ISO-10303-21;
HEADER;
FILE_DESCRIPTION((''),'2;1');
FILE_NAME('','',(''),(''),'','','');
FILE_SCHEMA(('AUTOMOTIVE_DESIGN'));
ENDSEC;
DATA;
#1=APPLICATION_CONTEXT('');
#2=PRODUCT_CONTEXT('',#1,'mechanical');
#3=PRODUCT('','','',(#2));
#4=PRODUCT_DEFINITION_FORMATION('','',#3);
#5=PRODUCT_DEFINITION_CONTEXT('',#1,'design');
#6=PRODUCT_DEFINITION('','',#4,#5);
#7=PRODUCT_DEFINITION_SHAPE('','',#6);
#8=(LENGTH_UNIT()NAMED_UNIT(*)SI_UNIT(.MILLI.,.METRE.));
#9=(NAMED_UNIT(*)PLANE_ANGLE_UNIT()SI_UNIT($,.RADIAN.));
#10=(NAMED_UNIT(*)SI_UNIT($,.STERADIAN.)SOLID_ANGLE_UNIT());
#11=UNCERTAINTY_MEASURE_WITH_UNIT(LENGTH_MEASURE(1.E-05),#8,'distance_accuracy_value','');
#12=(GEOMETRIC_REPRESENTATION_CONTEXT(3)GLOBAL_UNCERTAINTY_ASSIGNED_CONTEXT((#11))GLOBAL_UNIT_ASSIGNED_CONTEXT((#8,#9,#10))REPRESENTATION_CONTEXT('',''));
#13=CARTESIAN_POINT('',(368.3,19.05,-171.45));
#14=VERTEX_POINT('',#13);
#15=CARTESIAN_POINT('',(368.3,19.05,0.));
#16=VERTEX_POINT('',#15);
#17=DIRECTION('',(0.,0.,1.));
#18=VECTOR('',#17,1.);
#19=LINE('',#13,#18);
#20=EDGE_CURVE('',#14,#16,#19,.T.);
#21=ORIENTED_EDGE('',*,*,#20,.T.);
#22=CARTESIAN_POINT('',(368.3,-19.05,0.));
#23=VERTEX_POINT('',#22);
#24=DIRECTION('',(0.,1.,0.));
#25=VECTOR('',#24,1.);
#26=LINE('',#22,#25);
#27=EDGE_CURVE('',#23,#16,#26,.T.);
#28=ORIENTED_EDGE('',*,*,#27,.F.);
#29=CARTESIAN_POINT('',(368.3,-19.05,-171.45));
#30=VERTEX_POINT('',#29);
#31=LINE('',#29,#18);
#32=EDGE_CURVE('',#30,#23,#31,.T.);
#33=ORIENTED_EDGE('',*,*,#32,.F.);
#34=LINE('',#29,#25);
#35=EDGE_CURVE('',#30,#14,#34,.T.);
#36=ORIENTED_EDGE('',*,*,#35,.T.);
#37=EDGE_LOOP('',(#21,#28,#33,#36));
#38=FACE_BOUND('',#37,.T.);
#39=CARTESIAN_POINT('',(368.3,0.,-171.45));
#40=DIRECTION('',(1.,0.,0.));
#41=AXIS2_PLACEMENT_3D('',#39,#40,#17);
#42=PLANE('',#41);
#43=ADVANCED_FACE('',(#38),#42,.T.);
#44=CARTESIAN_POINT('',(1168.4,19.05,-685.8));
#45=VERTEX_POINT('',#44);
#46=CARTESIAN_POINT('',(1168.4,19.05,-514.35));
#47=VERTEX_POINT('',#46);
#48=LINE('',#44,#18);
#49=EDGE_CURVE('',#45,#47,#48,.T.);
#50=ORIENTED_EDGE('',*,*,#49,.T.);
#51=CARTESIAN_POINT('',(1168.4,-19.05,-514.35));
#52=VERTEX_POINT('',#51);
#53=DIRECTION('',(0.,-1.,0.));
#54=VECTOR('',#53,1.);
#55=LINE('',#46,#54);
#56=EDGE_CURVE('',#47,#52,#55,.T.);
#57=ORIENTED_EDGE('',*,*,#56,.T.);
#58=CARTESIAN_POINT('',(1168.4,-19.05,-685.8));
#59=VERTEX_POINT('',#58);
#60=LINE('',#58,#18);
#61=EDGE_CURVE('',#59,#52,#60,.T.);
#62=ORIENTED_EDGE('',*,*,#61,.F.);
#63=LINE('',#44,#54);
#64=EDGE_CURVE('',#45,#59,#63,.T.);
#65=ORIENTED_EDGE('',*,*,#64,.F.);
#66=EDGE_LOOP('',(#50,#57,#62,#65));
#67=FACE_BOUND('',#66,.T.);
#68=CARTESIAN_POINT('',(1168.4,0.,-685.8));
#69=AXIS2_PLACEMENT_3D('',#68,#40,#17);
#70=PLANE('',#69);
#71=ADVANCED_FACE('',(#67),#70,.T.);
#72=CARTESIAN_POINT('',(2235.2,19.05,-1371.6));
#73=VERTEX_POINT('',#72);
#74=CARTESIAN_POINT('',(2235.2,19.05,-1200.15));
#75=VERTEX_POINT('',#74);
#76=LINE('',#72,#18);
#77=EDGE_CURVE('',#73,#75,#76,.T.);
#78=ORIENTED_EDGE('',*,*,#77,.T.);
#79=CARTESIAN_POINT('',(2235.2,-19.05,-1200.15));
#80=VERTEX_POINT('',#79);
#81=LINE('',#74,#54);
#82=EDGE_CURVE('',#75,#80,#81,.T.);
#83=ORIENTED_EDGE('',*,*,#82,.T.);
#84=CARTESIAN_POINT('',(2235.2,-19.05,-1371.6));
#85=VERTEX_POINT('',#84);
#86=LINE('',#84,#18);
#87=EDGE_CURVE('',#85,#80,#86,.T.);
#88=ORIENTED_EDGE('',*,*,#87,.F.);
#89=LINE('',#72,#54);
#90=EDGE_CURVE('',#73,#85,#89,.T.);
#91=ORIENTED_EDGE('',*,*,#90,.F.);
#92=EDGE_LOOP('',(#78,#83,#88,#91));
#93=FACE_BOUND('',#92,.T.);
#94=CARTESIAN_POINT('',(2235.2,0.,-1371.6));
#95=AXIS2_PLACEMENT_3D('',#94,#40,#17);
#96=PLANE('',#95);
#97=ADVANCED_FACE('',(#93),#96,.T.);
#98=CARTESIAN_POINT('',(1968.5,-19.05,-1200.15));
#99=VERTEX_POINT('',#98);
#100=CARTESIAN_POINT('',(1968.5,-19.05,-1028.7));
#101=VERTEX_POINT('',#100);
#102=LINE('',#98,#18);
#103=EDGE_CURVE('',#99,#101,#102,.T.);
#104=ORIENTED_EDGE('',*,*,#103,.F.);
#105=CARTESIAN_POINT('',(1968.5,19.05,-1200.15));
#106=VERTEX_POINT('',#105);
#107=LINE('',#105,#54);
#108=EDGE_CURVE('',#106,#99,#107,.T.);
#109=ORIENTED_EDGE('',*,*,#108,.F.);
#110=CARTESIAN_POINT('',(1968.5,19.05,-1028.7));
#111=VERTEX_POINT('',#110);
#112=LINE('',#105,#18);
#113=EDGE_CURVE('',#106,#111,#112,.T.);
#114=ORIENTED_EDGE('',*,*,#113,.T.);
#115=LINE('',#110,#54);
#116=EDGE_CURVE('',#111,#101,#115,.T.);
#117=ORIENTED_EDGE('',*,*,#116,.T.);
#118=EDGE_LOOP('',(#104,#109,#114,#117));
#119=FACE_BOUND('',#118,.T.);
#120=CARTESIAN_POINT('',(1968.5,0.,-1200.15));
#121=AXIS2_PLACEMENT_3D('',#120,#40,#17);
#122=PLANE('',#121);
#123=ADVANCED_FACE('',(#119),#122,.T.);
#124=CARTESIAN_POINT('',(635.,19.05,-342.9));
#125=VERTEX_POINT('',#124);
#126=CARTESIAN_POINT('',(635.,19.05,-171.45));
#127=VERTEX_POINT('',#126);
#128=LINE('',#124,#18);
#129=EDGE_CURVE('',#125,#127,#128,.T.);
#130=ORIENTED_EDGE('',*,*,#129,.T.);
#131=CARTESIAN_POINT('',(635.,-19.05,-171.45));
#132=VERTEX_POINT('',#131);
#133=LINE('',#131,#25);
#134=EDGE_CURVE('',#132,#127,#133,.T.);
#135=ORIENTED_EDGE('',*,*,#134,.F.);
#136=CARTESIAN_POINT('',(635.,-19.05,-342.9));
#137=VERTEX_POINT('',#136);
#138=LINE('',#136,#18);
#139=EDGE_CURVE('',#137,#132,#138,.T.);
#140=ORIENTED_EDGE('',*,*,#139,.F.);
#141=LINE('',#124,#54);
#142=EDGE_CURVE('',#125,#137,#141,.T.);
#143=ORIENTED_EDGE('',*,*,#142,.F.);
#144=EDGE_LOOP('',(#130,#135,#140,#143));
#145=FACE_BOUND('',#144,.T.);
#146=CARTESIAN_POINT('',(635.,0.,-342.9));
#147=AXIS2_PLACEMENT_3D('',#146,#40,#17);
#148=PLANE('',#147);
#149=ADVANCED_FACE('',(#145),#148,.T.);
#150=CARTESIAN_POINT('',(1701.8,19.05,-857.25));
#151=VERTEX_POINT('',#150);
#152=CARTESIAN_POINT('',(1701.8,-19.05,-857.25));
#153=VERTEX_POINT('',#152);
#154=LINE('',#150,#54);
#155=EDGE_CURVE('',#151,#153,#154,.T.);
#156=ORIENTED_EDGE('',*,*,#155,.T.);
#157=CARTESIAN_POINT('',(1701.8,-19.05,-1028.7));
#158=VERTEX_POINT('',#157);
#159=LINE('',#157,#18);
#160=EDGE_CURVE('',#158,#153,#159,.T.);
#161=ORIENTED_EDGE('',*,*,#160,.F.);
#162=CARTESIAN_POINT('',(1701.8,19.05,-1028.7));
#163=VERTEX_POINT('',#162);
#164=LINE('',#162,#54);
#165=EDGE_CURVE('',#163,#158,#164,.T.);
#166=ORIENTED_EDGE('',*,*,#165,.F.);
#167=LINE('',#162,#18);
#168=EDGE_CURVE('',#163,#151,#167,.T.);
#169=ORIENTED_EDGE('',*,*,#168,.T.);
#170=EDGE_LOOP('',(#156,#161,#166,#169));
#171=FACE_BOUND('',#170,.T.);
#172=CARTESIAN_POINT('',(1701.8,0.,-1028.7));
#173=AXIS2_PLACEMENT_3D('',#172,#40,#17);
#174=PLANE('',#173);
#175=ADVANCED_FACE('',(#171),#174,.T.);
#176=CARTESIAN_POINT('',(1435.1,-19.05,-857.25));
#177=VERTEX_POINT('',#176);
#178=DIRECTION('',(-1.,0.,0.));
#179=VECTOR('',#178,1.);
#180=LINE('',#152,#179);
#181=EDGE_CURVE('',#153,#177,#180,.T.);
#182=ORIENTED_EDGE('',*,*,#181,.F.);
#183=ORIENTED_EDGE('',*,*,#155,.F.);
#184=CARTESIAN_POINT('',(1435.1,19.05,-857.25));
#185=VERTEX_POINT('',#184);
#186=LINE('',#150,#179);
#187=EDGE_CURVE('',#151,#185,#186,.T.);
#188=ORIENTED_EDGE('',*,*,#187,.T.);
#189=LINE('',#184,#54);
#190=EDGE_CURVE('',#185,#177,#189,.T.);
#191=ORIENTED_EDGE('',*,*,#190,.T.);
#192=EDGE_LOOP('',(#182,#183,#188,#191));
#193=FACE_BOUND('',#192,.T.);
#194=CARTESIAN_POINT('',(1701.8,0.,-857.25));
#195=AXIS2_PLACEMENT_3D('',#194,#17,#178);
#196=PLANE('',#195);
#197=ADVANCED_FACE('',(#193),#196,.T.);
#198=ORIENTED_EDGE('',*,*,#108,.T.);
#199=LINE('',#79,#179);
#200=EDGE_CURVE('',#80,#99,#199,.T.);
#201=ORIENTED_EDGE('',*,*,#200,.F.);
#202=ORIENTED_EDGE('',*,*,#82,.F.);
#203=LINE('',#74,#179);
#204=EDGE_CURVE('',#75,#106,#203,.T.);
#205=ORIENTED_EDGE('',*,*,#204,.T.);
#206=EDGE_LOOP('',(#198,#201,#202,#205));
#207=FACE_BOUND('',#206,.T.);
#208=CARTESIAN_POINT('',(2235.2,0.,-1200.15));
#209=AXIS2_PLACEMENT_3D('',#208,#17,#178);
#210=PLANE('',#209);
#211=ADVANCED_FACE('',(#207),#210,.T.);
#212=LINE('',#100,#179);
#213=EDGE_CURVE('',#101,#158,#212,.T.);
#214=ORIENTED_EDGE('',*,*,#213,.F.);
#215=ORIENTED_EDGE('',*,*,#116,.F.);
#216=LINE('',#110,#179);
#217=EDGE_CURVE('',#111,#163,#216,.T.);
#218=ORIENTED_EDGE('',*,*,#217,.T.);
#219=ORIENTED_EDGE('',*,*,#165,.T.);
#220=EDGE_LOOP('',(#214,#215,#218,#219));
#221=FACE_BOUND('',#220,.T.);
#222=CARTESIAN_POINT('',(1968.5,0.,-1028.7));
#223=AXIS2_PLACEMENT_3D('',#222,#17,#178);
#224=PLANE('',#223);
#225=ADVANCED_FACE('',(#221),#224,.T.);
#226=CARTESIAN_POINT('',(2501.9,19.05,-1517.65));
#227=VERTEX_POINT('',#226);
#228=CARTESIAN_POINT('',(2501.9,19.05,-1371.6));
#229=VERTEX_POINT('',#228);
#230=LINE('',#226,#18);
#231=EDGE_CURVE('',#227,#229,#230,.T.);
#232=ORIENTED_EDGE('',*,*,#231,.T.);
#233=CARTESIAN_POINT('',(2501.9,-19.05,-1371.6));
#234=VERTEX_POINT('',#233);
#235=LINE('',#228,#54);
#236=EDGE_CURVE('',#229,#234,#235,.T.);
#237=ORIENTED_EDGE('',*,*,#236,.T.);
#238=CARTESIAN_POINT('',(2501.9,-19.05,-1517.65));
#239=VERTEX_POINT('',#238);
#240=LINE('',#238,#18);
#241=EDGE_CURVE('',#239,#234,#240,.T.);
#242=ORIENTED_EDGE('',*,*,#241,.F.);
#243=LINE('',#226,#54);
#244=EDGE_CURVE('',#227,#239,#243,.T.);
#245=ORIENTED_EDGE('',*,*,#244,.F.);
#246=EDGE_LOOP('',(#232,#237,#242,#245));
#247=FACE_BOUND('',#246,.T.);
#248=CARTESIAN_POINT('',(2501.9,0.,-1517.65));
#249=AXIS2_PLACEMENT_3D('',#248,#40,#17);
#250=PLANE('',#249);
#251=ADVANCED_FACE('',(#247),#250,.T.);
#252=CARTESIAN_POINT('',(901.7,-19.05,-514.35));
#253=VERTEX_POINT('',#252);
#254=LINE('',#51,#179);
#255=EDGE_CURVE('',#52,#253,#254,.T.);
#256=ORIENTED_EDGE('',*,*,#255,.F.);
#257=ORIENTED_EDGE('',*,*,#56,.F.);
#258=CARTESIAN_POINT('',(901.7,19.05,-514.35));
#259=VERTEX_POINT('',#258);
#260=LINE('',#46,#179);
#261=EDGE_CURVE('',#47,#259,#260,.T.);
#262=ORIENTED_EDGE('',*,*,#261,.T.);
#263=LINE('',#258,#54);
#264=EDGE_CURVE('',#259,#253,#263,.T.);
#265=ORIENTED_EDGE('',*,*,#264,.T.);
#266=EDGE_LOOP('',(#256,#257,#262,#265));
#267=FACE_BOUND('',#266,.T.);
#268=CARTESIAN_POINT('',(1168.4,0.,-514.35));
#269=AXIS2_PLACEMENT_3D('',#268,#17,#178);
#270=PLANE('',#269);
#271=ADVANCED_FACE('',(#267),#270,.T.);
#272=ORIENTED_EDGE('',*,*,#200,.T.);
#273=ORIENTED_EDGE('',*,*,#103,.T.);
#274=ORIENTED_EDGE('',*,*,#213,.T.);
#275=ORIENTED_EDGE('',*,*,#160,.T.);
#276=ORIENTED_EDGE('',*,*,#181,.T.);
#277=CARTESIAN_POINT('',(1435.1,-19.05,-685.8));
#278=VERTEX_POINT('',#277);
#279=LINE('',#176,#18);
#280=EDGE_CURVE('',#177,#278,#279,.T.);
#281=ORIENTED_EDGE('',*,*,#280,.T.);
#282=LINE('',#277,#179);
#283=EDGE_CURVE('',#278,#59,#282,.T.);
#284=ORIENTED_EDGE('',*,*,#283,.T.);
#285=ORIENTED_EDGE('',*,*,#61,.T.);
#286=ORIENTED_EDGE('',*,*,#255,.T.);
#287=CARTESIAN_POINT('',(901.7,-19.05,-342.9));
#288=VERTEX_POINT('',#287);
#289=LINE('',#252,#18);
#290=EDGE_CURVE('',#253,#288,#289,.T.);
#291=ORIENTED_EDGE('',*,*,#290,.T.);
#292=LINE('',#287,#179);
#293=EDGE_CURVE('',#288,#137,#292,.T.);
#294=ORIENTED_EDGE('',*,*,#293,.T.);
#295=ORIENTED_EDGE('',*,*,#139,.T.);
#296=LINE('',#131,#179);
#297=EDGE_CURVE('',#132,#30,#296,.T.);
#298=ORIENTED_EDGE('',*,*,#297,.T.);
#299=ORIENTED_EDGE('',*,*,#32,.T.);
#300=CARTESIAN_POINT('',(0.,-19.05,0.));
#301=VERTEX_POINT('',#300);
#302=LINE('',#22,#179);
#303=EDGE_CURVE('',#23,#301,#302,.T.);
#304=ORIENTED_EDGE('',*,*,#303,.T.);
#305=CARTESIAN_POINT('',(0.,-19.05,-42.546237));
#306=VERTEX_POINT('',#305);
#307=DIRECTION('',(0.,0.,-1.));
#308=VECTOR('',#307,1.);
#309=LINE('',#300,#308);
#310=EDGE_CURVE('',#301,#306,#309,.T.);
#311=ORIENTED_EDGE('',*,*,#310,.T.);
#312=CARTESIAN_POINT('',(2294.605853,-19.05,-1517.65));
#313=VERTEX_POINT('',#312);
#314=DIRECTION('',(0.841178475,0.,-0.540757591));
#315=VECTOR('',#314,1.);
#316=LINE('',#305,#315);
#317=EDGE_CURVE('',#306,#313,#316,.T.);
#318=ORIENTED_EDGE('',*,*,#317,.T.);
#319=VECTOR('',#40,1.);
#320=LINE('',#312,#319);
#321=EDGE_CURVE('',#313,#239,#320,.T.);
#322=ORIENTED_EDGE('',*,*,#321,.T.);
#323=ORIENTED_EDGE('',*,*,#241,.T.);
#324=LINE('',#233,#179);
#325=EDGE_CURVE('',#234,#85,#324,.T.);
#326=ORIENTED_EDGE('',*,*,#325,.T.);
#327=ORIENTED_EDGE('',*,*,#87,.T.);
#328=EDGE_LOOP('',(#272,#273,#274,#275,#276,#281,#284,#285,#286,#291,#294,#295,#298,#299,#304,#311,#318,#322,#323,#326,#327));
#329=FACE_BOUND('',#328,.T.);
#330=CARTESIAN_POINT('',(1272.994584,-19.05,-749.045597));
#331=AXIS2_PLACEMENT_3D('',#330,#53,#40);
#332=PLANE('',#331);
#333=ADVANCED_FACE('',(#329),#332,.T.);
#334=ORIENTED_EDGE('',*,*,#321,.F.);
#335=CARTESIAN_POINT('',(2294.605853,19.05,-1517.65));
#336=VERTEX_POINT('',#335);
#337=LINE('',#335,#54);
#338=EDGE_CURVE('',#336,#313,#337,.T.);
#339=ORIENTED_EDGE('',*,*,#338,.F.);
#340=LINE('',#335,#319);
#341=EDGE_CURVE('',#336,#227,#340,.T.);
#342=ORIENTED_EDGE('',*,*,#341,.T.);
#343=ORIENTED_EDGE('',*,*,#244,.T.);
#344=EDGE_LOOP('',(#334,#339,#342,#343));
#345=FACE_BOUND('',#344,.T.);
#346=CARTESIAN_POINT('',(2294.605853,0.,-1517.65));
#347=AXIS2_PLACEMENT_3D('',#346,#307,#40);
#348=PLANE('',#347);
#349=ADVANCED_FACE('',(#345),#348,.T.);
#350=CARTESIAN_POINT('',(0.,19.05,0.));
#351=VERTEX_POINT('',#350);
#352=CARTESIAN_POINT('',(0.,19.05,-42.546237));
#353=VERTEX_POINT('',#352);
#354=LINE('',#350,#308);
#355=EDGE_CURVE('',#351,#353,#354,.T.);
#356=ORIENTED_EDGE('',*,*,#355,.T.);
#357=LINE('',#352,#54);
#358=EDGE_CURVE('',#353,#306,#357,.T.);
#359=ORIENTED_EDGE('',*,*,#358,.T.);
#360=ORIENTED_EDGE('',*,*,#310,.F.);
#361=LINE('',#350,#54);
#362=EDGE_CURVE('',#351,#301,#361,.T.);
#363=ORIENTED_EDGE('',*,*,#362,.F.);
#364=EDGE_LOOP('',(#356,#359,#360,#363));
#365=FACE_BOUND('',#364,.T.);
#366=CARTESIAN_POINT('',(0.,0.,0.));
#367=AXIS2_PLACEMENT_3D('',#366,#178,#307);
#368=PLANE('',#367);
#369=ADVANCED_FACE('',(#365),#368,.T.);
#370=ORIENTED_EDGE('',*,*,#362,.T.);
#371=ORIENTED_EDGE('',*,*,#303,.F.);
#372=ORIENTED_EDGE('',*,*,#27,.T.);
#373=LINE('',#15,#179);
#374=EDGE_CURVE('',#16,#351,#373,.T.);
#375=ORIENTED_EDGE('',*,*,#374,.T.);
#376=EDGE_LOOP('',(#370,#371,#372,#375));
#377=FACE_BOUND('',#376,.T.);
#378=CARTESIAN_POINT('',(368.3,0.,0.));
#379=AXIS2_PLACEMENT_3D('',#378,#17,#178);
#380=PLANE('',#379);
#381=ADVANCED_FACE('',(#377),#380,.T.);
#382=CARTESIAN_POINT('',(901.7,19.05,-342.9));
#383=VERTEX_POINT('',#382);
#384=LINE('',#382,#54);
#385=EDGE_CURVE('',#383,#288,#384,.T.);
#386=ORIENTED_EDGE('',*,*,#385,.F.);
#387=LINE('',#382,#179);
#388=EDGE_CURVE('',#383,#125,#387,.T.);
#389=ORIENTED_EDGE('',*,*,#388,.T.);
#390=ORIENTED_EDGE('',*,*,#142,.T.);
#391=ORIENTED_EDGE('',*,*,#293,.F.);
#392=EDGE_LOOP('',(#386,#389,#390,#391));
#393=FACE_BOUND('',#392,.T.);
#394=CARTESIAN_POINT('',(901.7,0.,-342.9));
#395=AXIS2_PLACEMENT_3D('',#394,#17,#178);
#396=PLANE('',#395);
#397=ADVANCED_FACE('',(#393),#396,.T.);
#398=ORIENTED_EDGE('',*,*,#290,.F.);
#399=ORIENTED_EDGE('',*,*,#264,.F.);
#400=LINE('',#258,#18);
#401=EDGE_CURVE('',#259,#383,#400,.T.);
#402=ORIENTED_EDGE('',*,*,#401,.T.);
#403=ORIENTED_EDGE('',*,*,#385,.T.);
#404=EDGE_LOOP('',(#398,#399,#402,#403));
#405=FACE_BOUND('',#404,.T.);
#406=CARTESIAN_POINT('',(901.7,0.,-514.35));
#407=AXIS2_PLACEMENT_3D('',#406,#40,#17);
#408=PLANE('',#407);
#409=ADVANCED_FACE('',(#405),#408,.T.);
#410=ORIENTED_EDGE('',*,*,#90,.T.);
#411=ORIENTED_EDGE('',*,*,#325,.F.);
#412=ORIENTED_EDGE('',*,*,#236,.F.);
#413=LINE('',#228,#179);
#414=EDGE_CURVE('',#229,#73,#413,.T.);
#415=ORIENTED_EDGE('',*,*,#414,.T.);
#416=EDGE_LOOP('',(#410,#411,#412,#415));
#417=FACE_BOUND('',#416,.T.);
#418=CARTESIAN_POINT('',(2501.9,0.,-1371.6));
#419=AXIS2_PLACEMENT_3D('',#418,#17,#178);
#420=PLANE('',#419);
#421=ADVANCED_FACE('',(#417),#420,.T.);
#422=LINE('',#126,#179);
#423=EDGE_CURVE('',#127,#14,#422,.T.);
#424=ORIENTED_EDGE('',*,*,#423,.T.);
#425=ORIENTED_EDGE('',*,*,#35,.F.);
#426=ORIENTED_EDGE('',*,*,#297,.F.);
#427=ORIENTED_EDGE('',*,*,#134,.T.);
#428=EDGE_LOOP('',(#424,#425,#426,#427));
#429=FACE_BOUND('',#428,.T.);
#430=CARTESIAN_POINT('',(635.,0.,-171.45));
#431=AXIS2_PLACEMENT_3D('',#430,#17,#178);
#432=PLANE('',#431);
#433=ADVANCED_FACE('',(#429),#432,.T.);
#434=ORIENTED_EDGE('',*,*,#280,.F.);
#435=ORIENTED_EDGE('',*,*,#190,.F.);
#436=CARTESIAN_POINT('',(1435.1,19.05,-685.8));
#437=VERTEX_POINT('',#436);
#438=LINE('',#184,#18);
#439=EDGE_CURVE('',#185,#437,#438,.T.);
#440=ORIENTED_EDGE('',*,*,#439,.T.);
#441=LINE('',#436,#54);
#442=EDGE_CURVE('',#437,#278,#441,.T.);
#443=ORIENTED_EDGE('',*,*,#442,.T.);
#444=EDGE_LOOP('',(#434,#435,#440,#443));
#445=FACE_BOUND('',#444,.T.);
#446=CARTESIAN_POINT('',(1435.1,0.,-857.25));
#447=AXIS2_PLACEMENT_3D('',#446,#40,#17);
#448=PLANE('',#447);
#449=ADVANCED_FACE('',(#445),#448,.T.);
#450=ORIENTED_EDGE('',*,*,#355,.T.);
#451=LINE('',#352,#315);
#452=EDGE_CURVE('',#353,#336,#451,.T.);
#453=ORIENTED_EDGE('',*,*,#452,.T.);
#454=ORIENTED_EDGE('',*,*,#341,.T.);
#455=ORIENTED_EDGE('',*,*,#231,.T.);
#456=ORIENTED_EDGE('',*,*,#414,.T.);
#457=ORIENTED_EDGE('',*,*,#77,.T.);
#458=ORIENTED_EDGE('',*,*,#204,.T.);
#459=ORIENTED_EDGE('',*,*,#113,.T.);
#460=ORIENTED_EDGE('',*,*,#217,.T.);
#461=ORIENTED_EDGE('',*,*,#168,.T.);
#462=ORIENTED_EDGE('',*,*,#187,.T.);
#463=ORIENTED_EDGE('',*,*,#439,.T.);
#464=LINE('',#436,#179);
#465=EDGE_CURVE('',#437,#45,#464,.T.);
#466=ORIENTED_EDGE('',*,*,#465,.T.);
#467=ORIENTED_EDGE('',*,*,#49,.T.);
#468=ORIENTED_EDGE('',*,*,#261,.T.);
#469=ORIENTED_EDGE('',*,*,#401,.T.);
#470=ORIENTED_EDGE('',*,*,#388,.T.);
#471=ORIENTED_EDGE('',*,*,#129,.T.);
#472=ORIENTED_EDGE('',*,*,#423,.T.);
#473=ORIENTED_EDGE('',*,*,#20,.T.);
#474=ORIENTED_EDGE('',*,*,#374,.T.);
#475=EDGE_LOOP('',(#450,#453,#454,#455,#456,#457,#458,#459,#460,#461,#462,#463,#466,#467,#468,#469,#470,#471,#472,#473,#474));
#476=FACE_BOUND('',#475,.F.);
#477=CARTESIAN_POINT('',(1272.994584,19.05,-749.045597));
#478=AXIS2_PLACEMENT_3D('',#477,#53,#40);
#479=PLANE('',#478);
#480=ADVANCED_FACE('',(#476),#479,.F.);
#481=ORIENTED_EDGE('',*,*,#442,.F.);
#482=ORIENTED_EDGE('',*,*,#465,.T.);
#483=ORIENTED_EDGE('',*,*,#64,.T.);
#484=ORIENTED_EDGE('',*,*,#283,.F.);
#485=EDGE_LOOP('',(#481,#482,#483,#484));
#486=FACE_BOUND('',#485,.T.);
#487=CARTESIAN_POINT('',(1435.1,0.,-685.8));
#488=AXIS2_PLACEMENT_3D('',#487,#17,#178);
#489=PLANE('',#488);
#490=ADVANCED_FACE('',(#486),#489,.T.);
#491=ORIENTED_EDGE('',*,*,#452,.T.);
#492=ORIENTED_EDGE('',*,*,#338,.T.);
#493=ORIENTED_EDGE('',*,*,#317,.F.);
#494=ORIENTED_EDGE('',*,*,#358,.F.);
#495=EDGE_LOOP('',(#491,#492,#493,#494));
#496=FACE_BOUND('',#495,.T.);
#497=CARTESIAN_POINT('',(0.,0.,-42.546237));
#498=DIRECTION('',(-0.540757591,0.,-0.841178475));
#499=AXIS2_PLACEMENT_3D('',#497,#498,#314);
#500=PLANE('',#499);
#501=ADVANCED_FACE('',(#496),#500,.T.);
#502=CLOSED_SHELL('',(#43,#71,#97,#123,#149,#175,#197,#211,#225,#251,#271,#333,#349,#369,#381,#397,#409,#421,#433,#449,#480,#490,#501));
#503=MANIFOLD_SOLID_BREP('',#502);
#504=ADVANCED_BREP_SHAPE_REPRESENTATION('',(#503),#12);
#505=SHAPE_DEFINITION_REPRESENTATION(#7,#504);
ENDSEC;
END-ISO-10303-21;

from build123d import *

# Parameters (mm, degrees)
F1_DEPTH = 19.05


with BuildPart() as f1:
    # F0 (on Front) → F1 (new body, symmetric)
    with BuildSketch(Plane.XZ):
        Polygon((368.3, 0), (0, 0), (0, -42.546237), (2294.605853, -1517.65), (2501.9, -1517.65), (2501.9, -1371.6), (2235.2, -1371.6), (2235.2, -1200.15), (1968.5, -1200.15), (1968.5, -1028.7), (1701.8, -1028.7), (1701.8, -857.25), (1435.1, -857.25), (1435.1, -685.8), (1168.4, -685.8), (1168.4, -514.35), (901.7, -514.35), (901.7, -342.9), (635, -342.9), (635, -171.45), (368.3, -171.45), align=None)
    extrude(amount=F1_DEPTH, both=True)


solid = f1.part
